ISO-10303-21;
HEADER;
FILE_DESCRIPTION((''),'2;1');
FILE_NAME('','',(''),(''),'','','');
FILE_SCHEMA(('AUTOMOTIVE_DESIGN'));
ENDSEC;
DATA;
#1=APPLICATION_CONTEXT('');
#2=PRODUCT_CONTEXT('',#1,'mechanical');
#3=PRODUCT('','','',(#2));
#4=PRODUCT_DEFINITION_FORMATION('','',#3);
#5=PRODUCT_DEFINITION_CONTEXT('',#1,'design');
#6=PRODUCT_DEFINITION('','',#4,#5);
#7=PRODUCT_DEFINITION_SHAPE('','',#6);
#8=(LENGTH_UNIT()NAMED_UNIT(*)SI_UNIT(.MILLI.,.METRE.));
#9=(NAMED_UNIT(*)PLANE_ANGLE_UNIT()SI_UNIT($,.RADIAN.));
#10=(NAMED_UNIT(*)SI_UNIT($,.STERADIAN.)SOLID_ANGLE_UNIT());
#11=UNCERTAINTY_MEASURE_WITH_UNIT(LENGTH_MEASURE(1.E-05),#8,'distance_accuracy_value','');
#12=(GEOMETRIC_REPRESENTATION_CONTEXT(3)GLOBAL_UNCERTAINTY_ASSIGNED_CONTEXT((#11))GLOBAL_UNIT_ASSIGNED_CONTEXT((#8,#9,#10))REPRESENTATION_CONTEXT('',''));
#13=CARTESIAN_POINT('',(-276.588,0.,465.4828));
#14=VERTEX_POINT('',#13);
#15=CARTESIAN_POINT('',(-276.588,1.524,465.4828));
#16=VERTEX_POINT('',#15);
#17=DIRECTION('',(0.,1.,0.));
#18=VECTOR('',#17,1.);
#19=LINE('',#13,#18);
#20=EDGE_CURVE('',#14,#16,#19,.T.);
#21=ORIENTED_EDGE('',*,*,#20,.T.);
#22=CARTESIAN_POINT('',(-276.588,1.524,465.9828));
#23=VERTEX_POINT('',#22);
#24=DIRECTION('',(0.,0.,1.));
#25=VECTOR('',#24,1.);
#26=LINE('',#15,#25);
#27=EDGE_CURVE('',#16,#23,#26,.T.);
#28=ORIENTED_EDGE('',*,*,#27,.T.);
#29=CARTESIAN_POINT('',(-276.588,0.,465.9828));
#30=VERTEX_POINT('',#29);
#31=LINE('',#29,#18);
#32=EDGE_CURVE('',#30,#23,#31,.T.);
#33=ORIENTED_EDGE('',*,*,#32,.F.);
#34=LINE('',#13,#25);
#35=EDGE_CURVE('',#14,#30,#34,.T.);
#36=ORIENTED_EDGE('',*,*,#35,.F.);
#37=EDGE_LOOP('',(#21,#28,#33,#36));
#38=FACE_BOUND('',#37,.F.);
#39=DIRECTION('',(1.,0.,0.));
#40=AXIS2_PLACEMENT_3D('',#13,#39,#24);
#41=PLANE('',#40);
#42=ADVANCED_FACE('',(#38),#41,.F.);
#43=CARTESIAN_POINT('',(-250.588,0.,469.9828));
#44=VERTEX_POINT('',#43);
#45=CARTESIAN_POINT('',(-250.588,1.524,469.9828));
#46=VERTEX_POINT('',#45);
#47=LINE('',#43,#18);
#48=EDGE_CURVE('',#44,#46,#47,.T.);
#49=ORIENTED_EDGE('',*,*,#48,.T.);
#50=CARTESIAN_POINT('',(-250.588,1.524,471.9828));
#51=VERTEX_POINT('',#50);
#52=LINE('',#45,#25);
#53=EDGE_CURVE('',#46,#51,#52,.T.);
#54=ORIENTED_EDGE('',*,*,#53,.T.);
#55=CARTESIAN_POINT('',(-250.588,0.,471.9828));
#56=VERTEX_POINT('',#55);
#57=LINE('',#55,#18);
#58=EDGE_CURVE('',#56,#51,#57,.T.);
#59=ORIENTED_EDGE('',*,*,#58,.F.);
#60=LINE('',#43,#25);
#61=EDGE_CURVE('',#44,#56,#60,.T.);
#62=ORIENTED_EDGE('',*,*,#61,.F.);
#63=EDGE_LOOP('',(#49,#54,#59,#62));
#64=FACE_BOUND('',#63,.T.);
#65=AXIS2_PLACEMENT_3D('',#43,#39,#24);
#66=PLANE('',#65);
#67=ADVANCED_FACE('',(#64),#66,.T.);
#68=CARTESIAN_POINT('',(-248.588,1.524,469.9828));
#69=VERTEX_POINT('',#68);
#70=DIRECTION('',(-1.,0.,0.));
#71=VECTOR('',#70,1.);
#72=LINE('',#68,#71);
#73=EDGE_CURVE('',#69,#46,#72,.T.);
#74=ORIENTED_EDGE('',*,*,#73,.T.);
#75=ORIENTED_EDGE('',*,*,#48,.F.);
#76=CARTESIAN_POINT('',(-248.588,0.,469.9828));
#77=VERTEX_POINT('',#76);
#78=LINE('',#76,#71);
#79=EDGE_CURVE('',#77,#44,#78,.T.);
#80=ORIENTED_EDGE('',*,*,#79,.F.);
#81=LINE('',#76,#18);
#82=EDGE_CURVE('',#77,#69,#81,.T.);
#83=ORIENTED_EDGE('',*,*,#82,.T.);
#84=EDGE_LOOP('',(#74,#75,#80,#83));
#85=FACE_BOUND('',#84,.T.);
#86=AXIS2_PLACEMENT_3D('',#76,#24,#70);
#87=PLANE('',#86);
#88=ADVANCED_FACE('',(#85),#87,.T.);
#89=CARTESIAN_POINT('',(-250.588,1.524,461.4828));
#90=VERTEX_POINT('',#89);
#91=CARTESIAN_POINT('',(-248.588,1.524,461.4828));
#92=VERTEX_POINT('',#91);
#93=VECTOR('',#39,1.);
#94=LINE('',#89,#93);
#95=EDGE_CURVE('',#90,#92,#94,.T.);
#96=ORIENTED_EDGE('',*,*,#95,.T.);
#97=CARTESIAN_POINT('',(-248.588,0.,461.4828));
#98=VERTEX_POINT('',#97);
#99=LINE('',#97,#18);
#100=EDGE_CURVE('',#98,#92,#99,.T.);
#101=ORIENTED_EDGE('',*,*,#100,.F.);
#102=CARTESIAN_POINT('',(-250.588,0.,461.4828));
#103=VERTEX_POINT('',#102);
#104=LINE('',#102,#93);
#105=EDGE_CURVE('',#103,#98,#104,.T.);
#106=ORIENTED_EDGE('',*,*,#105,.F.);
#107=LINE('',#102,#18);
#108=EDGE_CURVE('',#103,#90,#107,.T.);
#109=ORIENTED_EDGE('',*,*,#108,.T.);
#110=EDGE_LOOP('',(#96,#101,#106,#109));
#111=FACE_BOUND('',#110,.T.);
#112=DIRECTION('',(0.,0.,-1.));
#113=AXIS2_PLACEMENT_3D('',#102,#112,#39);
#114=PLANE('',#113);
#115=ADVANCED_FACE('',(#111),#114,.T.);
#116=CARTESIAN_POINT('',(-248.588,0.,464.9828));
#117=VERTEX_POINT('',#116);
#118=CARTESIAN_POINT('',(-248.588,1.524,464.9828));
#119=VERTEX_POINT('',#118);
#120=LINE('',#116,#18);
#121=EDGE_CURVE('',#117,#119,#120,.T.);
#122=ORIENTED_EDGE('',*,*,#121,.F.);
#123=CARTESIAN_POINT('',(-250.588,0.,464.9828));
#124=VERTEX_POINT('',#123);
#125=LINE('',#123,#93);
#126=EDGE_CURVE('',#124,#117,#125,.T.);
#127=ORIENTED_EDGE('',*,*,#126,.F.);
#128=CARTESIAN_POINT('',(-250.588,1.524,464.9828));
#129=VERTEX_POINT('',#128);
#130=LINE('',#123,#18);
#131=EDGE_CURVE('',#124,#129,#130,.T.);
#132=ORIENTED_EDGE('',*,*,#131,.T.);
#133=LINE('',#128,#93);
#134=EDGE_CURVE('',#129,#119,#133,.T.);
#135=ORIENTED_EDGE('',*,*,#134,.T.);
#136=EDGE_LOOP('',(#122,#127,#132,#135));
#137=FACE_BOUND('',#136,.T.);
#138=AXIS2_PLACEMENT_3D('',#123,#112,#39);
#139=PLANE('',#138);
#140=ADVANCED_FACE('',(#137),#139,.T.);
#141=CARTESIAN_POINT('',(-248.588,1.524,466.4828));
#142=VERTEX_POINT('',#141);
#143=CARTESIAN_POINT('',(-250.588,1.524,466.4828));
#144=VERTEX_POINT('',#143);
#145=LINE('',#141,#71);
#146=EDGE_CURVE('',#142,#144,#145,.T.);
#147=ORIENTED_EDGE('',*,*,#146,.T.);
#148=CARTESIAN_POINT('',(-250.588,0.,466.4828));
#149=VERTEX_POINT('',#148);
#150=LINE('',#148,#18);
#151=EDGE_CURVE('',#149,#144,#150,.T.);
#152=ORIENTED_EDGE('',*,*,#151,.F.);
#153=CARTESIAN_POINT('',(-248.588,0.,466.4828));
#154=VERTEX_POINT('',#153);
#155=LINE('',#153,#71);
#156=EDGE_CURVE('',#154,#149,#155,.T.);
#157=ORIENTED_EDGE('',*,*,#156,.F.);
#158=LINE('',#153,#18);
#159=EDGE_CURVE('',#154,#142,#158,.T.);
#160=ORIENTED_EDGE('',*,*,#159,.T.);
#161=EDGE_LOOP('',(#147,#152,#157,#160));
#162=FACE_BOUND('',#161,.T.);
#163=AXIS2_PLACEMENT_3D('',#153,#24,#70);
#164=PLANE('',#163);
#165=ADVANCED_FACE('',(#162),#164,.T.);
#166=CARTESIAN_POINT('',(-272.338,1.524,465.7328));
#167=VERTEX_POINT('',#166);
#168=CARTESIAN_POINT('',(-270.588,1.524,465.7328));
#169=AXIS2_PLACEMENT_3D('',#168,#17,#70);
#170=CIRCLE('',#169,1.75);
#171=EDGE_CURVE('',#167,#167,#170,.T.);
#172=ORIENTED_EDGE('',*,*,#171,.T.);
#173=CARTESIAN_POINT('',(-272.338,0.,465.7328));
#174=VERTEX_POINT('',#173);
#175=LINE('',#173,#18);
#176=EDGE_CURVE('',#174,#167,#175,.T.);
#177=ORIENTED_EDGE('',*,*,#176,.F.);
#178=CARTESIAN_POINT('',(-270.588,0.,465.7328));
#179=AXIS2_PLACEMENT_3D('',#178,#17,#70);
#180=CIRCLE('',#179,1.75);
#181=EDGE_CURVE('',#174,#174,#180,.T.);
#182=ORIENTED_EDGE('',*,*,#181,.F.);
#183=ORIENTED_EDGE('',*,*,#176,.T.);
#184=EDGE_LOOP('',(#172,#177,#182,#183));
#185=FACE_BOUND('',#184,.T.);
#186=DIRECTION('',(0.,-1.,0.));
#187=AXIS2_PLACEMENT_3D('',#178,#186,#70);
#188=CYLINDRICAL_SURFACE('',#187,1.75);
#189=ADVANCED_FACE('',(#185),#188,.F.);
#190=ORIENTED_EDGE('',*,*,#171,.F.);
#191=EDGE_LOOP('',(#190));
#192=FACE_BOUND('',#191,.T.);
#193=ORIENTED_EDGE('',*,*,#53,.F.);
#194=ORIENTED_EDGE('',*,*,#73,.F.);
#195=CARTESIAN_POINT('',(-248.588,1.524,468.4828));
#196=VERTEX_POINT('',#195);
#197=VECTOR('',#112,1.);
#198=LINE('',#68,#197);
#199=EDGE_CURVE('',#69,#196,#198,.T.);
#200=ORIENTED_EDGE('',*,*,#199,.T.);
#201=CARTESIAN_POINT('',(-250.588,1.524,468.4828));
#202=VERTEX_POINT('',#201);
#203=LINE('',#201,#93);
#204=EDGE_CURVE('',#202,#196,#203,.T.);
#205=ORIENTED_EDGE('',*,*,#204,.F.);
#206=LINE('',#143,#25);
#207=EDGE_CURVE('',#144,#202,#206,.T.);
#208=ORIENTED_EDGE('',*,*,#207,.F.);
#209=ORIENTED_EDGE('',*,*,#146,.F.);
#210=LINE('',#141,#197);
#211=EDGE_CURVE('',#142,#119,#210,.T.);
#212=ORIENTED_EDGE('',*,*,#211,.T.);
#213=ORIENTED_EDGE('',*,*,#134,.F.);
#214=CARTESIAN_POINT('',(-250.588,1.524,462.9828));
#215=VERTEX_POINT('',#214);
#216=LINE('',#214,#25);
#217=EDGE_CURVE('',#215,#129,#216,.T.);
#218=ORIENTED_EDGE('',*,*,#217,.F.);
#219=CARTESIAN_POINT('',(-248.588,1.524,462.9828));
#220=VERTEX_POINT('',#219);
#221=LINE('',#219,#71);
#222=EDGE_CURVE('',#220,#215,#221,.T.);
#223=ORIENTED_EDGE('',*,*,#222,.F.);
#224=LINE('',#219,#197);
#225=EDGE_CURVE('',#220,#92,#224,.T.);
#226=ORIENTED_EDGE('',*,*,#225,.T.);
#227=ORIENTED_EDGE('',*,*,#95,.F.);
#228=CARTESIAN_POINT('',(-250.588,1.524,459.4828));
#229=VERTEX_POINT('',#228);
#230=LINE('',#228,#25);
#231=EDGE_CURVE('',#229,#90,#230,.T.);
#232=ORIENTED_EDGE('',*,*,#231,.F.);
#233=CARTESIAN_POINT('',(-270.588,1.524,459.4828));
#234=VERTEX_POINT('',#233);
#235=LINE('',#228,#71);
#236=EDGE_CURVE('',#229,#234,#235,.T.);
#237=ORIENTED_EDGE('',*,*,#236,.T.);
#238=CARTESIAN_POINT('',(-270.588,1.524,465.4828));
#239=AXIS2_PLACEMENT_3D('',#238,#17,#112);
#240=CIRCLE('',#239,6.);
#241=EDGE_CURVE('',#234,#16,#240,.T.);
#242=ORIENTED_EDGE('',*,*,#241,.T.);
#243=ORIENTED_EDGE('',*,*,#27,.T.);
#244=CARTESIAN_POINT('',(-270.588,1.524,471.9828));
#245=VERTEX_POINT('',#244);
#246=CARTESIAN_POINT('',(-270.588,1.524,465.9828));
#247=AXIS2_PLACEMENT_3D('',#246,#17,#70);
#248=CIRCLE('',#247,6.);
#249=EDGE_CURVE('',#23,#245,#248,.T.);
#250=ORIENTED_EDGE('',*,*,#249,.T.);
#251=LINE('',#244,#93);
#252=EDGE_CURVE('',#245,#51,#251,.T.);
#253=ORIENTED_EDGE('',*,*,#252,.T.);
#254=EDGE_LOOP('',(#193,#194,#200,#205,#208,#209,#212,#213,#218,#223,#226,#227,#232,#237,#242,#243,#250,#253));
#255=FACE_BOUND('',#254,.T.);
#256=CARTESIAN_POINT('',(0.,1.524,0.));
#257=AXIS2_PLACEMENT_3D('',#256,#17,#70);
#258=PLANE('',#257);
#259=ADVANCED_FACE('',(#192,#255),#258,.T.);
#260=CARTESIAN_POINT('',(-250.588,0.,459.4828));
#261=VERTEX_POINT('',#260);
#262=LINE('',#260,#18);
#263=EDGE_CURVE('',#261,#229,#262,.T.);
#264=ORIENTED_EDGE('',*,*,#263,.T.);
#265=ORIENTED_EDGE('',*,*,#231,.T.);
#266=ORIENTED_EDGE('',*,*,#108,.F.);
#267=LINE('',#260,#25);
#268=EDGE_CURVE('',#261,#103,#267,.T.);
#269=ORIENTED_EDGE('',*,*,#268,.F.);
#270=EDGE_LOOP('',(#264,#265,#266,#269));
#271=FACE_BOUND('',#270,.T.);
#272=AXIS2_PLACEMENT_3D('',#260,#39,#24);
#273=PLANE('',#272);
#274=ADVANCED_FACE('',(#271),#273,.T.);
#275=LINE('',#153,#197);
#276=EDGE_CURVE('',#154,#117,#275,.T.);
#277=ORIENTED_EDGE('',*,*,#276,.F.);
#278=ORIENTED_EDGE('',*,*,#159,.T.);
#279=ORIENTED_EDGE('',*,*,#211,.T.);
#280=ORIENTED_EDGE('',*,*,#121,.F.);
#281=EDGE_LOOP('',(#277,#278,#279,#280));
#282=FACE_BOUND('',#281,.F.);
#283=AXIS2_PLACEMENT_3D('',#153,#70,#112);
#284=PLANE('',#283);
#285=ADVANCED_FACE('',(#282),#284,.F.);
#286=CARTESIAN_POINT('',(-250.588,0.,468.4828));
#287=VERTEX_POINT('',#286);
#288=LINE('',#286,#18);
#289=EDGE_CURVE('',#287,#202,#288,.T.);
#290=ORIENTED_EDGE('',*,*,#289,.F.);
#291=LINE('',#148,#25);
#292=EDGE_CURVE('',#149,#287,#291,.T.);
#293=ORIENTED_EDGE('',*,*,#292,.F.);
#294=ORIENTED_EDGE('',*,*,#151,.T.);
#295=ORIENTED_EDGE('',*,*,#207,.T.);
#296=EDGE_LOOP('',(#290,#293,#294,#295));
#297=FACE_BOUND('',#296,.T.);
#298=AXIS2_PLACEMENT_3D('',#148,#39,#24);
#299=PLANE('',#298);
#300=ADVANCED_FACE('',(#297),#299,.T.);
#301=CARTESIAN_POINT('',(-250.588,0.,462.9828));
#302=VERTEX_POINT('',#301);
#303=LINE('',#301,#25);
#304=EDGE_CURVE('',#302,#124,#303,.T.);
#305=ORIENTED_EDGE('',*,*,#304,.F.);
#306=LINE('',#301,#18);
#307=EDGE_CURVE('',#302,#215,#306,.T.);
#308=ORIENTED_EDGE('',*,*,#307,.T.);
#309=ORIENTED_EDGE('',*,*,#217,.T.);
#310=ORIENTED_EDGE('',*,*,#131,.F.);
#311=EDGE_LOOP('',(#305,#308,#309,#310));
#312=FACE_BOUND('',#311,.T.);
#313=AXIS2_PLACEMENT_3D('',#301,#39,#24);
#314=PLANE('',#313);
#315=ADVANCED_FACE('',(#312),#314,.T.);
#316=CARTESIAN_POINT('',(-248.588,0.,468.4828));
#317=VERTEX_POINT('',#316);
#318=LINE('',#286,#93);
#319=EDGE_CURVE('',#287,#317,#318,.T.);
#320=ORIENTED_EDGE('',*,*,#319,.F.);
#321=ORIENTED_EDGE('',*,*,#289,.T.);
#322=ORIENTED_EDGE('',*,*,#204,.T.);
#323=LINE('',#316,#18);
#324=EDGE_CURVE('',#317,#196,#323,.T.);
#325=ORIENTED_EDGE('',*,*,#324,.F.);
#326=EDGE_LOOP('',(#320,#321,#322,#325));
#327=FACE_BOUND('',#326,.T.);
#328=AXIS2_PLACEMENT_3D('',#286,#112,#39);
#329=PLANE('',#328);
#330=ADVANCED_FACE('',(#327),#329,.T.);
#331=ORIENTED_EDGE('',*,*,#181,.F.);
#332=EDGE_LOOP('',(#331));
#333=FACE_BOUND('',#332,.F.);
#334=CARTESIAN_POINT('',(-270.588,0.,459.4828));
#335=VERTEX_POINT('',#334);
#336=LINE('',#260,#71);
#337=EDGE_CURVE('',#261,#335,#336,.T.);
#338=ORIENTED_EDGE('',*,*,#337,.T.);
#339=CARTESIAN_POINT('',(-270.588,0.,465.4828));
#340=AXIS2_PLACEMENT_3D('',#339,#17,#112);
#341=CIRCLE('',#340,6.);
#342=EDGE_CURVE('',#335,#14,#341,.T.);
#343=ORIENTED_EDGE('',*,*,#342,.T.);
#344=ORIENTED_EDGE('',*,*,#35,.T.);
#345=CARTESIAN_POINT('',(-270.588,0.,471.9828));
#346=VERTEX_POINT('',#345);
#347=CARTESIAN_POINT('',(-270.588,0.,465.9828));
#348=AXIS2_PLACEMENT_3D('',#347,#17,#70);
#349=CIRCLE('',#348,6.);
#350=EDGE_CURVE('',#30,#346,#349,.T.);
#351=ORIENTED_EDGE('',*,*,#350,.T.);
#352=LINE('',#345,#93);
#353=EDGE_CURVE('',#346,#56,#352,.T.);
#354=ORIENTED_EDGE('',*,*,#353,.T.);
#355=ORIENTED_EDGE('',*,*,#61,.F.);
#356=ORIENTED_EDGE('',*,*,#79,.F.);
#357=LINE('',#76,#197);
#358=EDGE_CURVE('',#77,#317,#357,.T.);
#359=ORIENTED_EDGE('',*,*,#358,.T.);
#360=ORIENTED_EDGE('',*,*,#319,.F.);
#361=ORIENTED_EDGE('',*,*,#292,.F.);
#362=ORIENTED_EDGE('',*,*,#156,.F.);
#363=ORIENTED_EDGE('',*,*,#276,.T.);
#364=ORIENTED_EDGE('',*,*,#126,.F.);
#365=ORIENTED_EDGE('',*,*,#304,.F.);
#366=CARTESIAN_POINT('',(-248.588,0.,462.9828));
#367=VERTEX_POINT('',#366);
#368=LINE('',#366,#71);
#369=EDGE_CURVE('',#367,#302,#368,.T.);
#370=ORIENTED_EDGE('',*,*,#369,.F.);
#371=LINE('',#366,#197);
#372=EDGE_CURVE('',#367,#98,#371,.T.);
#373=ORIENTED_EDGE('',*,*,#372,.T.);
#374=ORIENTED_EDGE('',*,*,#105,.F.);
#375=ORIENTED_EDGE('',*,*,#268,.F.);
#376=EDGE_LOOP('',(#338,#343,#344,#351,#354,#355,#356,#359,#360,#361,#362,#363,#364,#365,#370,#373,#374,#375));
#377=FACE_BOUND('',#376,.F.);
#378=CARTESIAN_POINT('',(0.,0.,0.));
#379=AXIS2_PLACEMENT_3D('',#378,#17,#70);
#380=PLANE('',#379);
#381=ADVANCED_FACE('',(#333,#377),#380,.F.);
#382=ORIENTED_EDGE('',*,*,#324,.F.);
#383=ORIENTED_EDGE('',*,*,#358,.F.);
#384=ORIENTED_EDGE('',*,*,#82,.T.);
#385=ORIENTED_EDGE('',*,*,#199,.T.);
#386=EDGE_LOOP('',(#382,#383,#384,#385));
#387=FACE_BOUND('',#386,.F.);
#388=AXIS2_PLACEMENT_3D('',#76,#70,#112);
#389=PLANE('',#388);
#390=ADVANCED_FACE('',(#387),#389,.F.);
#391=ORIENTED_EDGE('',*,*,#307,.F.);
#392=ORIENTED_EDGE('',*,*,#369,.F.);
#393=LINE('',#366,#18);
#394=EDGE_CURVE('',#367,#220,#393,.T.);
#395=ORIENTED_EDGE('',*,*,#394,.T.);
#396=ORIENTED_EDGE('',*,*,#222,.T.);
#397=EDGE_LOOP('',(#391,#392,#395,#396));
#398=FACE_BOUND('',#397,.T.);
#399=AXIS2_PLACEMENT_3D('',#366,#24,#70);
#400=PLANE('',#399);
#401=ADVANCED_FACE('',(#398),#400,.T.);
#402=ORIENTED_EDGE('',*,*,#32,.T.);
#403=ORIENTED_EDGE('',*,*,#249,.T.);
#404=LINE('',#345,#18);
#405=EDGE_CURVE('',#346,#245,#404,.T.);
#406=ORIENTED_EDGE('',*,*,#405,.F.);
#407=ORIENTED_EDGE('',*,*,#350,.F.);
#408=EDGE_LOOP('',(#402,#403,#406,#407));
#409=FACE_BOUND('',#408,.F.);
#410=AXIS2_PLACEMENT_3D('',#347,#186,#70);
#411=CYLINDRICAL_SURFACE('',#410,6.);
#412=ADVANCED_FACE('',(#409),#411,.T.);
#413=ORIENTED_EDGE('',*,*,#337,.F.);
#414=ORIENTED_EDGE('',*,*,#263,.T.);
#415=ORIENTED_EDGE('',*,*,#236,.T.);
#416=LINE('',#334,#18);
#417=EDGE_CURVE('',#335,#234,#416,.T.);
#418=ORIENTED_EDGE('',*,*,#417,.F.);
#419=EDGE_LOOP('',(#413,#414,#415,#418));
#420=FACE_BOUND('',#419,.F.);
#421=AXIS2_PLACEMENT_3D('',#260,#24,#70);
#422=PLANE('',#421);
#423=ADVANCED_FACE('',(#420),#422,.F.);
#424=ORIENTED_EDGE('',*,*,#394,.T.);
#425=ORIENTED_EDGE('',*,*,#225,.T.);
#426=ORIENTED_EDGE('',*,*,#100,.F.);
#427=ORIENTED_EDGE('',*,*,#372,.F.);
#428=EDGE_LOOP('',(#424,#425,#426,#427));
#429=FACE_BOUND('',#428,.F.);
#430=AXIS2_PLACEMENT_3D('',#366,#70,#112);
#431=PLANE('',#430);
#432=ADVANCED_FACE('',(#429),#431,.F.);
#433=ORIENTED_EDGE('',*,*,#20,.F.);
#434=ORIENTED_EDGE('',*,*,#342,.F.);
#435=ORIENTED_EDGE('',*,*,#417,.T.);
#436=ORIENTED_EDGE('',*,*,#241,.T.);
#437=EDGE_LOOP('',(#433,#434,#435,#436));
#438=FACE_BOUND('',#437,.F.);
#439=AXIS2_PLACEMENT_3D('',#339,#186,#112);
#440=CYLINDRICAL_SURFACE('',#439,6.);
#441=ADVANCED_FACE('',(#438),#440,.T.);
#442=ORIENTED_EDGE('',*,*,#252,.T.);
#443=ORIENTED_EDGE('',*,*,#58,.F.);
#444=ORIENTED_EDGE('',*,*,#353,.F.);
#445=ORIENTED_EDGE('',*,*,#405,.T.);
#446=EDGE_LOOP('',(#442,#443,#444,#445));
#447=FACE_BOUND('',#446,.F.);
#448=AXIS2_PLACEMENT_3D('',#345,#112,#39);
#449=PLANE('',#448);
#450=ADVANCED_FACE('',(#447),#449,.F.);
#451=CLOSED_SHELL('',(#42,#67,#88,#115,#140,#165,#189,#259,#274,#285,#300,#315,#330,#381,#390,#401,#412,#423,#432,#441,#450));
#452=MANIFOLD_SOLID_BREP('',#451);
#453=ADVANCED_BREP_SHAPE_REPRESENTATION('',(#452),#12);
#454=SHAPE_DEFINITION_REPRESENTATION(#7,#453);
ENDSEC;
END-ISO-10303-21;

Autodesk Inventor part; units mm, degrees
ref_plane "YZ Plane" through (0, 0, 0) normal (1, 0, 0) x (0, 1, 0)
ref_plane "XZ Plane" through (0, 0, 0) normal (0, 1, 0) x (-1, 0, 0)
ref_plane "XY Plane" through (0, 0, 0) normal (0, 0, 1) x (1, 0, 0)
sketch "Sketch1" plane through (0, 0, 0) normal (0, 1, 0) x (-1, 0, 0)
  line L0 (270.588, 471.9828) -> (250.588, 471.9828)
  line L1 (250.588, 459.4828) -> (270.588, 459.4828)
  line L2 (276.588, 465.4828) -> (276.588, 465.9828)
  arc A0 (276.588, 465.9828) -> (270.588, 471.9828) centre (270.588, 465.9828) ccw
  arc A1 (270.588, 459.4828) -> (276.588, 465.4828) centre (270.588, 465.4828) ccw
  circle A2 centre (270.588, 465.7328) radius 1.75
  line L3 (250.588, 459.4828) -> (250.588, 461.4828)
  line L4 (250.588, 461.4828) -> (248.588, 461.4828)
  line L5 (248.588, 462.9828) -> (250.588, 462.9828)
  line L6 (250.588, 462.9828) -> (250.588, 464.9828)
  line L7 (250.588, 464.9828) -> (248.588, 464.9828)
  line L8 (248.588, 466.4828) -> (250.588, 466.4828)
  line L9 (250.588, 466.4828) -> (250.588, 468.4828)
  line L10 (250.588, 468.4828) -> (248.588, 468.4828)
  line L11 (248.588, 462.9828) -> (248.588, 461.4828)
  line L12 (248.588, 469.9828) -> (248.588, 468.4828)
  line L13 (248.588, 466.4828) -> (248.588, 464.9828)
  line L14 (248.588, 469.9828) -> (250.588, 469.9828)
  line L15 (250.588, 469.9828) -> (250.588, 471.9828)
  point P0 (0, 0)
  point P1 (276.588, 471.9828)
  point P2 (276.588, 459.4828)
  dimension "d2" = 6
  dimension "d5" = 3.5
  dimension "d15" = 0
  dimension "d26" = 2
  dimension "d27" = 2
  dimension "d28" = 2
  dimension "d29" = 2
  dimension "d30" = 2
  dimension "d31" = 2
  dimension "d32" = 1.5
  dimension "d33" = 1.5
  dimension "d34" = 2
  dimension "d35" = 1.5
  dimension "d36" = 2
  dimension "d39" = 20
extrude "Extrusion7" add sketch "Sketch1" along normal blind 1.524
properties part number "Connection4-3.5"
